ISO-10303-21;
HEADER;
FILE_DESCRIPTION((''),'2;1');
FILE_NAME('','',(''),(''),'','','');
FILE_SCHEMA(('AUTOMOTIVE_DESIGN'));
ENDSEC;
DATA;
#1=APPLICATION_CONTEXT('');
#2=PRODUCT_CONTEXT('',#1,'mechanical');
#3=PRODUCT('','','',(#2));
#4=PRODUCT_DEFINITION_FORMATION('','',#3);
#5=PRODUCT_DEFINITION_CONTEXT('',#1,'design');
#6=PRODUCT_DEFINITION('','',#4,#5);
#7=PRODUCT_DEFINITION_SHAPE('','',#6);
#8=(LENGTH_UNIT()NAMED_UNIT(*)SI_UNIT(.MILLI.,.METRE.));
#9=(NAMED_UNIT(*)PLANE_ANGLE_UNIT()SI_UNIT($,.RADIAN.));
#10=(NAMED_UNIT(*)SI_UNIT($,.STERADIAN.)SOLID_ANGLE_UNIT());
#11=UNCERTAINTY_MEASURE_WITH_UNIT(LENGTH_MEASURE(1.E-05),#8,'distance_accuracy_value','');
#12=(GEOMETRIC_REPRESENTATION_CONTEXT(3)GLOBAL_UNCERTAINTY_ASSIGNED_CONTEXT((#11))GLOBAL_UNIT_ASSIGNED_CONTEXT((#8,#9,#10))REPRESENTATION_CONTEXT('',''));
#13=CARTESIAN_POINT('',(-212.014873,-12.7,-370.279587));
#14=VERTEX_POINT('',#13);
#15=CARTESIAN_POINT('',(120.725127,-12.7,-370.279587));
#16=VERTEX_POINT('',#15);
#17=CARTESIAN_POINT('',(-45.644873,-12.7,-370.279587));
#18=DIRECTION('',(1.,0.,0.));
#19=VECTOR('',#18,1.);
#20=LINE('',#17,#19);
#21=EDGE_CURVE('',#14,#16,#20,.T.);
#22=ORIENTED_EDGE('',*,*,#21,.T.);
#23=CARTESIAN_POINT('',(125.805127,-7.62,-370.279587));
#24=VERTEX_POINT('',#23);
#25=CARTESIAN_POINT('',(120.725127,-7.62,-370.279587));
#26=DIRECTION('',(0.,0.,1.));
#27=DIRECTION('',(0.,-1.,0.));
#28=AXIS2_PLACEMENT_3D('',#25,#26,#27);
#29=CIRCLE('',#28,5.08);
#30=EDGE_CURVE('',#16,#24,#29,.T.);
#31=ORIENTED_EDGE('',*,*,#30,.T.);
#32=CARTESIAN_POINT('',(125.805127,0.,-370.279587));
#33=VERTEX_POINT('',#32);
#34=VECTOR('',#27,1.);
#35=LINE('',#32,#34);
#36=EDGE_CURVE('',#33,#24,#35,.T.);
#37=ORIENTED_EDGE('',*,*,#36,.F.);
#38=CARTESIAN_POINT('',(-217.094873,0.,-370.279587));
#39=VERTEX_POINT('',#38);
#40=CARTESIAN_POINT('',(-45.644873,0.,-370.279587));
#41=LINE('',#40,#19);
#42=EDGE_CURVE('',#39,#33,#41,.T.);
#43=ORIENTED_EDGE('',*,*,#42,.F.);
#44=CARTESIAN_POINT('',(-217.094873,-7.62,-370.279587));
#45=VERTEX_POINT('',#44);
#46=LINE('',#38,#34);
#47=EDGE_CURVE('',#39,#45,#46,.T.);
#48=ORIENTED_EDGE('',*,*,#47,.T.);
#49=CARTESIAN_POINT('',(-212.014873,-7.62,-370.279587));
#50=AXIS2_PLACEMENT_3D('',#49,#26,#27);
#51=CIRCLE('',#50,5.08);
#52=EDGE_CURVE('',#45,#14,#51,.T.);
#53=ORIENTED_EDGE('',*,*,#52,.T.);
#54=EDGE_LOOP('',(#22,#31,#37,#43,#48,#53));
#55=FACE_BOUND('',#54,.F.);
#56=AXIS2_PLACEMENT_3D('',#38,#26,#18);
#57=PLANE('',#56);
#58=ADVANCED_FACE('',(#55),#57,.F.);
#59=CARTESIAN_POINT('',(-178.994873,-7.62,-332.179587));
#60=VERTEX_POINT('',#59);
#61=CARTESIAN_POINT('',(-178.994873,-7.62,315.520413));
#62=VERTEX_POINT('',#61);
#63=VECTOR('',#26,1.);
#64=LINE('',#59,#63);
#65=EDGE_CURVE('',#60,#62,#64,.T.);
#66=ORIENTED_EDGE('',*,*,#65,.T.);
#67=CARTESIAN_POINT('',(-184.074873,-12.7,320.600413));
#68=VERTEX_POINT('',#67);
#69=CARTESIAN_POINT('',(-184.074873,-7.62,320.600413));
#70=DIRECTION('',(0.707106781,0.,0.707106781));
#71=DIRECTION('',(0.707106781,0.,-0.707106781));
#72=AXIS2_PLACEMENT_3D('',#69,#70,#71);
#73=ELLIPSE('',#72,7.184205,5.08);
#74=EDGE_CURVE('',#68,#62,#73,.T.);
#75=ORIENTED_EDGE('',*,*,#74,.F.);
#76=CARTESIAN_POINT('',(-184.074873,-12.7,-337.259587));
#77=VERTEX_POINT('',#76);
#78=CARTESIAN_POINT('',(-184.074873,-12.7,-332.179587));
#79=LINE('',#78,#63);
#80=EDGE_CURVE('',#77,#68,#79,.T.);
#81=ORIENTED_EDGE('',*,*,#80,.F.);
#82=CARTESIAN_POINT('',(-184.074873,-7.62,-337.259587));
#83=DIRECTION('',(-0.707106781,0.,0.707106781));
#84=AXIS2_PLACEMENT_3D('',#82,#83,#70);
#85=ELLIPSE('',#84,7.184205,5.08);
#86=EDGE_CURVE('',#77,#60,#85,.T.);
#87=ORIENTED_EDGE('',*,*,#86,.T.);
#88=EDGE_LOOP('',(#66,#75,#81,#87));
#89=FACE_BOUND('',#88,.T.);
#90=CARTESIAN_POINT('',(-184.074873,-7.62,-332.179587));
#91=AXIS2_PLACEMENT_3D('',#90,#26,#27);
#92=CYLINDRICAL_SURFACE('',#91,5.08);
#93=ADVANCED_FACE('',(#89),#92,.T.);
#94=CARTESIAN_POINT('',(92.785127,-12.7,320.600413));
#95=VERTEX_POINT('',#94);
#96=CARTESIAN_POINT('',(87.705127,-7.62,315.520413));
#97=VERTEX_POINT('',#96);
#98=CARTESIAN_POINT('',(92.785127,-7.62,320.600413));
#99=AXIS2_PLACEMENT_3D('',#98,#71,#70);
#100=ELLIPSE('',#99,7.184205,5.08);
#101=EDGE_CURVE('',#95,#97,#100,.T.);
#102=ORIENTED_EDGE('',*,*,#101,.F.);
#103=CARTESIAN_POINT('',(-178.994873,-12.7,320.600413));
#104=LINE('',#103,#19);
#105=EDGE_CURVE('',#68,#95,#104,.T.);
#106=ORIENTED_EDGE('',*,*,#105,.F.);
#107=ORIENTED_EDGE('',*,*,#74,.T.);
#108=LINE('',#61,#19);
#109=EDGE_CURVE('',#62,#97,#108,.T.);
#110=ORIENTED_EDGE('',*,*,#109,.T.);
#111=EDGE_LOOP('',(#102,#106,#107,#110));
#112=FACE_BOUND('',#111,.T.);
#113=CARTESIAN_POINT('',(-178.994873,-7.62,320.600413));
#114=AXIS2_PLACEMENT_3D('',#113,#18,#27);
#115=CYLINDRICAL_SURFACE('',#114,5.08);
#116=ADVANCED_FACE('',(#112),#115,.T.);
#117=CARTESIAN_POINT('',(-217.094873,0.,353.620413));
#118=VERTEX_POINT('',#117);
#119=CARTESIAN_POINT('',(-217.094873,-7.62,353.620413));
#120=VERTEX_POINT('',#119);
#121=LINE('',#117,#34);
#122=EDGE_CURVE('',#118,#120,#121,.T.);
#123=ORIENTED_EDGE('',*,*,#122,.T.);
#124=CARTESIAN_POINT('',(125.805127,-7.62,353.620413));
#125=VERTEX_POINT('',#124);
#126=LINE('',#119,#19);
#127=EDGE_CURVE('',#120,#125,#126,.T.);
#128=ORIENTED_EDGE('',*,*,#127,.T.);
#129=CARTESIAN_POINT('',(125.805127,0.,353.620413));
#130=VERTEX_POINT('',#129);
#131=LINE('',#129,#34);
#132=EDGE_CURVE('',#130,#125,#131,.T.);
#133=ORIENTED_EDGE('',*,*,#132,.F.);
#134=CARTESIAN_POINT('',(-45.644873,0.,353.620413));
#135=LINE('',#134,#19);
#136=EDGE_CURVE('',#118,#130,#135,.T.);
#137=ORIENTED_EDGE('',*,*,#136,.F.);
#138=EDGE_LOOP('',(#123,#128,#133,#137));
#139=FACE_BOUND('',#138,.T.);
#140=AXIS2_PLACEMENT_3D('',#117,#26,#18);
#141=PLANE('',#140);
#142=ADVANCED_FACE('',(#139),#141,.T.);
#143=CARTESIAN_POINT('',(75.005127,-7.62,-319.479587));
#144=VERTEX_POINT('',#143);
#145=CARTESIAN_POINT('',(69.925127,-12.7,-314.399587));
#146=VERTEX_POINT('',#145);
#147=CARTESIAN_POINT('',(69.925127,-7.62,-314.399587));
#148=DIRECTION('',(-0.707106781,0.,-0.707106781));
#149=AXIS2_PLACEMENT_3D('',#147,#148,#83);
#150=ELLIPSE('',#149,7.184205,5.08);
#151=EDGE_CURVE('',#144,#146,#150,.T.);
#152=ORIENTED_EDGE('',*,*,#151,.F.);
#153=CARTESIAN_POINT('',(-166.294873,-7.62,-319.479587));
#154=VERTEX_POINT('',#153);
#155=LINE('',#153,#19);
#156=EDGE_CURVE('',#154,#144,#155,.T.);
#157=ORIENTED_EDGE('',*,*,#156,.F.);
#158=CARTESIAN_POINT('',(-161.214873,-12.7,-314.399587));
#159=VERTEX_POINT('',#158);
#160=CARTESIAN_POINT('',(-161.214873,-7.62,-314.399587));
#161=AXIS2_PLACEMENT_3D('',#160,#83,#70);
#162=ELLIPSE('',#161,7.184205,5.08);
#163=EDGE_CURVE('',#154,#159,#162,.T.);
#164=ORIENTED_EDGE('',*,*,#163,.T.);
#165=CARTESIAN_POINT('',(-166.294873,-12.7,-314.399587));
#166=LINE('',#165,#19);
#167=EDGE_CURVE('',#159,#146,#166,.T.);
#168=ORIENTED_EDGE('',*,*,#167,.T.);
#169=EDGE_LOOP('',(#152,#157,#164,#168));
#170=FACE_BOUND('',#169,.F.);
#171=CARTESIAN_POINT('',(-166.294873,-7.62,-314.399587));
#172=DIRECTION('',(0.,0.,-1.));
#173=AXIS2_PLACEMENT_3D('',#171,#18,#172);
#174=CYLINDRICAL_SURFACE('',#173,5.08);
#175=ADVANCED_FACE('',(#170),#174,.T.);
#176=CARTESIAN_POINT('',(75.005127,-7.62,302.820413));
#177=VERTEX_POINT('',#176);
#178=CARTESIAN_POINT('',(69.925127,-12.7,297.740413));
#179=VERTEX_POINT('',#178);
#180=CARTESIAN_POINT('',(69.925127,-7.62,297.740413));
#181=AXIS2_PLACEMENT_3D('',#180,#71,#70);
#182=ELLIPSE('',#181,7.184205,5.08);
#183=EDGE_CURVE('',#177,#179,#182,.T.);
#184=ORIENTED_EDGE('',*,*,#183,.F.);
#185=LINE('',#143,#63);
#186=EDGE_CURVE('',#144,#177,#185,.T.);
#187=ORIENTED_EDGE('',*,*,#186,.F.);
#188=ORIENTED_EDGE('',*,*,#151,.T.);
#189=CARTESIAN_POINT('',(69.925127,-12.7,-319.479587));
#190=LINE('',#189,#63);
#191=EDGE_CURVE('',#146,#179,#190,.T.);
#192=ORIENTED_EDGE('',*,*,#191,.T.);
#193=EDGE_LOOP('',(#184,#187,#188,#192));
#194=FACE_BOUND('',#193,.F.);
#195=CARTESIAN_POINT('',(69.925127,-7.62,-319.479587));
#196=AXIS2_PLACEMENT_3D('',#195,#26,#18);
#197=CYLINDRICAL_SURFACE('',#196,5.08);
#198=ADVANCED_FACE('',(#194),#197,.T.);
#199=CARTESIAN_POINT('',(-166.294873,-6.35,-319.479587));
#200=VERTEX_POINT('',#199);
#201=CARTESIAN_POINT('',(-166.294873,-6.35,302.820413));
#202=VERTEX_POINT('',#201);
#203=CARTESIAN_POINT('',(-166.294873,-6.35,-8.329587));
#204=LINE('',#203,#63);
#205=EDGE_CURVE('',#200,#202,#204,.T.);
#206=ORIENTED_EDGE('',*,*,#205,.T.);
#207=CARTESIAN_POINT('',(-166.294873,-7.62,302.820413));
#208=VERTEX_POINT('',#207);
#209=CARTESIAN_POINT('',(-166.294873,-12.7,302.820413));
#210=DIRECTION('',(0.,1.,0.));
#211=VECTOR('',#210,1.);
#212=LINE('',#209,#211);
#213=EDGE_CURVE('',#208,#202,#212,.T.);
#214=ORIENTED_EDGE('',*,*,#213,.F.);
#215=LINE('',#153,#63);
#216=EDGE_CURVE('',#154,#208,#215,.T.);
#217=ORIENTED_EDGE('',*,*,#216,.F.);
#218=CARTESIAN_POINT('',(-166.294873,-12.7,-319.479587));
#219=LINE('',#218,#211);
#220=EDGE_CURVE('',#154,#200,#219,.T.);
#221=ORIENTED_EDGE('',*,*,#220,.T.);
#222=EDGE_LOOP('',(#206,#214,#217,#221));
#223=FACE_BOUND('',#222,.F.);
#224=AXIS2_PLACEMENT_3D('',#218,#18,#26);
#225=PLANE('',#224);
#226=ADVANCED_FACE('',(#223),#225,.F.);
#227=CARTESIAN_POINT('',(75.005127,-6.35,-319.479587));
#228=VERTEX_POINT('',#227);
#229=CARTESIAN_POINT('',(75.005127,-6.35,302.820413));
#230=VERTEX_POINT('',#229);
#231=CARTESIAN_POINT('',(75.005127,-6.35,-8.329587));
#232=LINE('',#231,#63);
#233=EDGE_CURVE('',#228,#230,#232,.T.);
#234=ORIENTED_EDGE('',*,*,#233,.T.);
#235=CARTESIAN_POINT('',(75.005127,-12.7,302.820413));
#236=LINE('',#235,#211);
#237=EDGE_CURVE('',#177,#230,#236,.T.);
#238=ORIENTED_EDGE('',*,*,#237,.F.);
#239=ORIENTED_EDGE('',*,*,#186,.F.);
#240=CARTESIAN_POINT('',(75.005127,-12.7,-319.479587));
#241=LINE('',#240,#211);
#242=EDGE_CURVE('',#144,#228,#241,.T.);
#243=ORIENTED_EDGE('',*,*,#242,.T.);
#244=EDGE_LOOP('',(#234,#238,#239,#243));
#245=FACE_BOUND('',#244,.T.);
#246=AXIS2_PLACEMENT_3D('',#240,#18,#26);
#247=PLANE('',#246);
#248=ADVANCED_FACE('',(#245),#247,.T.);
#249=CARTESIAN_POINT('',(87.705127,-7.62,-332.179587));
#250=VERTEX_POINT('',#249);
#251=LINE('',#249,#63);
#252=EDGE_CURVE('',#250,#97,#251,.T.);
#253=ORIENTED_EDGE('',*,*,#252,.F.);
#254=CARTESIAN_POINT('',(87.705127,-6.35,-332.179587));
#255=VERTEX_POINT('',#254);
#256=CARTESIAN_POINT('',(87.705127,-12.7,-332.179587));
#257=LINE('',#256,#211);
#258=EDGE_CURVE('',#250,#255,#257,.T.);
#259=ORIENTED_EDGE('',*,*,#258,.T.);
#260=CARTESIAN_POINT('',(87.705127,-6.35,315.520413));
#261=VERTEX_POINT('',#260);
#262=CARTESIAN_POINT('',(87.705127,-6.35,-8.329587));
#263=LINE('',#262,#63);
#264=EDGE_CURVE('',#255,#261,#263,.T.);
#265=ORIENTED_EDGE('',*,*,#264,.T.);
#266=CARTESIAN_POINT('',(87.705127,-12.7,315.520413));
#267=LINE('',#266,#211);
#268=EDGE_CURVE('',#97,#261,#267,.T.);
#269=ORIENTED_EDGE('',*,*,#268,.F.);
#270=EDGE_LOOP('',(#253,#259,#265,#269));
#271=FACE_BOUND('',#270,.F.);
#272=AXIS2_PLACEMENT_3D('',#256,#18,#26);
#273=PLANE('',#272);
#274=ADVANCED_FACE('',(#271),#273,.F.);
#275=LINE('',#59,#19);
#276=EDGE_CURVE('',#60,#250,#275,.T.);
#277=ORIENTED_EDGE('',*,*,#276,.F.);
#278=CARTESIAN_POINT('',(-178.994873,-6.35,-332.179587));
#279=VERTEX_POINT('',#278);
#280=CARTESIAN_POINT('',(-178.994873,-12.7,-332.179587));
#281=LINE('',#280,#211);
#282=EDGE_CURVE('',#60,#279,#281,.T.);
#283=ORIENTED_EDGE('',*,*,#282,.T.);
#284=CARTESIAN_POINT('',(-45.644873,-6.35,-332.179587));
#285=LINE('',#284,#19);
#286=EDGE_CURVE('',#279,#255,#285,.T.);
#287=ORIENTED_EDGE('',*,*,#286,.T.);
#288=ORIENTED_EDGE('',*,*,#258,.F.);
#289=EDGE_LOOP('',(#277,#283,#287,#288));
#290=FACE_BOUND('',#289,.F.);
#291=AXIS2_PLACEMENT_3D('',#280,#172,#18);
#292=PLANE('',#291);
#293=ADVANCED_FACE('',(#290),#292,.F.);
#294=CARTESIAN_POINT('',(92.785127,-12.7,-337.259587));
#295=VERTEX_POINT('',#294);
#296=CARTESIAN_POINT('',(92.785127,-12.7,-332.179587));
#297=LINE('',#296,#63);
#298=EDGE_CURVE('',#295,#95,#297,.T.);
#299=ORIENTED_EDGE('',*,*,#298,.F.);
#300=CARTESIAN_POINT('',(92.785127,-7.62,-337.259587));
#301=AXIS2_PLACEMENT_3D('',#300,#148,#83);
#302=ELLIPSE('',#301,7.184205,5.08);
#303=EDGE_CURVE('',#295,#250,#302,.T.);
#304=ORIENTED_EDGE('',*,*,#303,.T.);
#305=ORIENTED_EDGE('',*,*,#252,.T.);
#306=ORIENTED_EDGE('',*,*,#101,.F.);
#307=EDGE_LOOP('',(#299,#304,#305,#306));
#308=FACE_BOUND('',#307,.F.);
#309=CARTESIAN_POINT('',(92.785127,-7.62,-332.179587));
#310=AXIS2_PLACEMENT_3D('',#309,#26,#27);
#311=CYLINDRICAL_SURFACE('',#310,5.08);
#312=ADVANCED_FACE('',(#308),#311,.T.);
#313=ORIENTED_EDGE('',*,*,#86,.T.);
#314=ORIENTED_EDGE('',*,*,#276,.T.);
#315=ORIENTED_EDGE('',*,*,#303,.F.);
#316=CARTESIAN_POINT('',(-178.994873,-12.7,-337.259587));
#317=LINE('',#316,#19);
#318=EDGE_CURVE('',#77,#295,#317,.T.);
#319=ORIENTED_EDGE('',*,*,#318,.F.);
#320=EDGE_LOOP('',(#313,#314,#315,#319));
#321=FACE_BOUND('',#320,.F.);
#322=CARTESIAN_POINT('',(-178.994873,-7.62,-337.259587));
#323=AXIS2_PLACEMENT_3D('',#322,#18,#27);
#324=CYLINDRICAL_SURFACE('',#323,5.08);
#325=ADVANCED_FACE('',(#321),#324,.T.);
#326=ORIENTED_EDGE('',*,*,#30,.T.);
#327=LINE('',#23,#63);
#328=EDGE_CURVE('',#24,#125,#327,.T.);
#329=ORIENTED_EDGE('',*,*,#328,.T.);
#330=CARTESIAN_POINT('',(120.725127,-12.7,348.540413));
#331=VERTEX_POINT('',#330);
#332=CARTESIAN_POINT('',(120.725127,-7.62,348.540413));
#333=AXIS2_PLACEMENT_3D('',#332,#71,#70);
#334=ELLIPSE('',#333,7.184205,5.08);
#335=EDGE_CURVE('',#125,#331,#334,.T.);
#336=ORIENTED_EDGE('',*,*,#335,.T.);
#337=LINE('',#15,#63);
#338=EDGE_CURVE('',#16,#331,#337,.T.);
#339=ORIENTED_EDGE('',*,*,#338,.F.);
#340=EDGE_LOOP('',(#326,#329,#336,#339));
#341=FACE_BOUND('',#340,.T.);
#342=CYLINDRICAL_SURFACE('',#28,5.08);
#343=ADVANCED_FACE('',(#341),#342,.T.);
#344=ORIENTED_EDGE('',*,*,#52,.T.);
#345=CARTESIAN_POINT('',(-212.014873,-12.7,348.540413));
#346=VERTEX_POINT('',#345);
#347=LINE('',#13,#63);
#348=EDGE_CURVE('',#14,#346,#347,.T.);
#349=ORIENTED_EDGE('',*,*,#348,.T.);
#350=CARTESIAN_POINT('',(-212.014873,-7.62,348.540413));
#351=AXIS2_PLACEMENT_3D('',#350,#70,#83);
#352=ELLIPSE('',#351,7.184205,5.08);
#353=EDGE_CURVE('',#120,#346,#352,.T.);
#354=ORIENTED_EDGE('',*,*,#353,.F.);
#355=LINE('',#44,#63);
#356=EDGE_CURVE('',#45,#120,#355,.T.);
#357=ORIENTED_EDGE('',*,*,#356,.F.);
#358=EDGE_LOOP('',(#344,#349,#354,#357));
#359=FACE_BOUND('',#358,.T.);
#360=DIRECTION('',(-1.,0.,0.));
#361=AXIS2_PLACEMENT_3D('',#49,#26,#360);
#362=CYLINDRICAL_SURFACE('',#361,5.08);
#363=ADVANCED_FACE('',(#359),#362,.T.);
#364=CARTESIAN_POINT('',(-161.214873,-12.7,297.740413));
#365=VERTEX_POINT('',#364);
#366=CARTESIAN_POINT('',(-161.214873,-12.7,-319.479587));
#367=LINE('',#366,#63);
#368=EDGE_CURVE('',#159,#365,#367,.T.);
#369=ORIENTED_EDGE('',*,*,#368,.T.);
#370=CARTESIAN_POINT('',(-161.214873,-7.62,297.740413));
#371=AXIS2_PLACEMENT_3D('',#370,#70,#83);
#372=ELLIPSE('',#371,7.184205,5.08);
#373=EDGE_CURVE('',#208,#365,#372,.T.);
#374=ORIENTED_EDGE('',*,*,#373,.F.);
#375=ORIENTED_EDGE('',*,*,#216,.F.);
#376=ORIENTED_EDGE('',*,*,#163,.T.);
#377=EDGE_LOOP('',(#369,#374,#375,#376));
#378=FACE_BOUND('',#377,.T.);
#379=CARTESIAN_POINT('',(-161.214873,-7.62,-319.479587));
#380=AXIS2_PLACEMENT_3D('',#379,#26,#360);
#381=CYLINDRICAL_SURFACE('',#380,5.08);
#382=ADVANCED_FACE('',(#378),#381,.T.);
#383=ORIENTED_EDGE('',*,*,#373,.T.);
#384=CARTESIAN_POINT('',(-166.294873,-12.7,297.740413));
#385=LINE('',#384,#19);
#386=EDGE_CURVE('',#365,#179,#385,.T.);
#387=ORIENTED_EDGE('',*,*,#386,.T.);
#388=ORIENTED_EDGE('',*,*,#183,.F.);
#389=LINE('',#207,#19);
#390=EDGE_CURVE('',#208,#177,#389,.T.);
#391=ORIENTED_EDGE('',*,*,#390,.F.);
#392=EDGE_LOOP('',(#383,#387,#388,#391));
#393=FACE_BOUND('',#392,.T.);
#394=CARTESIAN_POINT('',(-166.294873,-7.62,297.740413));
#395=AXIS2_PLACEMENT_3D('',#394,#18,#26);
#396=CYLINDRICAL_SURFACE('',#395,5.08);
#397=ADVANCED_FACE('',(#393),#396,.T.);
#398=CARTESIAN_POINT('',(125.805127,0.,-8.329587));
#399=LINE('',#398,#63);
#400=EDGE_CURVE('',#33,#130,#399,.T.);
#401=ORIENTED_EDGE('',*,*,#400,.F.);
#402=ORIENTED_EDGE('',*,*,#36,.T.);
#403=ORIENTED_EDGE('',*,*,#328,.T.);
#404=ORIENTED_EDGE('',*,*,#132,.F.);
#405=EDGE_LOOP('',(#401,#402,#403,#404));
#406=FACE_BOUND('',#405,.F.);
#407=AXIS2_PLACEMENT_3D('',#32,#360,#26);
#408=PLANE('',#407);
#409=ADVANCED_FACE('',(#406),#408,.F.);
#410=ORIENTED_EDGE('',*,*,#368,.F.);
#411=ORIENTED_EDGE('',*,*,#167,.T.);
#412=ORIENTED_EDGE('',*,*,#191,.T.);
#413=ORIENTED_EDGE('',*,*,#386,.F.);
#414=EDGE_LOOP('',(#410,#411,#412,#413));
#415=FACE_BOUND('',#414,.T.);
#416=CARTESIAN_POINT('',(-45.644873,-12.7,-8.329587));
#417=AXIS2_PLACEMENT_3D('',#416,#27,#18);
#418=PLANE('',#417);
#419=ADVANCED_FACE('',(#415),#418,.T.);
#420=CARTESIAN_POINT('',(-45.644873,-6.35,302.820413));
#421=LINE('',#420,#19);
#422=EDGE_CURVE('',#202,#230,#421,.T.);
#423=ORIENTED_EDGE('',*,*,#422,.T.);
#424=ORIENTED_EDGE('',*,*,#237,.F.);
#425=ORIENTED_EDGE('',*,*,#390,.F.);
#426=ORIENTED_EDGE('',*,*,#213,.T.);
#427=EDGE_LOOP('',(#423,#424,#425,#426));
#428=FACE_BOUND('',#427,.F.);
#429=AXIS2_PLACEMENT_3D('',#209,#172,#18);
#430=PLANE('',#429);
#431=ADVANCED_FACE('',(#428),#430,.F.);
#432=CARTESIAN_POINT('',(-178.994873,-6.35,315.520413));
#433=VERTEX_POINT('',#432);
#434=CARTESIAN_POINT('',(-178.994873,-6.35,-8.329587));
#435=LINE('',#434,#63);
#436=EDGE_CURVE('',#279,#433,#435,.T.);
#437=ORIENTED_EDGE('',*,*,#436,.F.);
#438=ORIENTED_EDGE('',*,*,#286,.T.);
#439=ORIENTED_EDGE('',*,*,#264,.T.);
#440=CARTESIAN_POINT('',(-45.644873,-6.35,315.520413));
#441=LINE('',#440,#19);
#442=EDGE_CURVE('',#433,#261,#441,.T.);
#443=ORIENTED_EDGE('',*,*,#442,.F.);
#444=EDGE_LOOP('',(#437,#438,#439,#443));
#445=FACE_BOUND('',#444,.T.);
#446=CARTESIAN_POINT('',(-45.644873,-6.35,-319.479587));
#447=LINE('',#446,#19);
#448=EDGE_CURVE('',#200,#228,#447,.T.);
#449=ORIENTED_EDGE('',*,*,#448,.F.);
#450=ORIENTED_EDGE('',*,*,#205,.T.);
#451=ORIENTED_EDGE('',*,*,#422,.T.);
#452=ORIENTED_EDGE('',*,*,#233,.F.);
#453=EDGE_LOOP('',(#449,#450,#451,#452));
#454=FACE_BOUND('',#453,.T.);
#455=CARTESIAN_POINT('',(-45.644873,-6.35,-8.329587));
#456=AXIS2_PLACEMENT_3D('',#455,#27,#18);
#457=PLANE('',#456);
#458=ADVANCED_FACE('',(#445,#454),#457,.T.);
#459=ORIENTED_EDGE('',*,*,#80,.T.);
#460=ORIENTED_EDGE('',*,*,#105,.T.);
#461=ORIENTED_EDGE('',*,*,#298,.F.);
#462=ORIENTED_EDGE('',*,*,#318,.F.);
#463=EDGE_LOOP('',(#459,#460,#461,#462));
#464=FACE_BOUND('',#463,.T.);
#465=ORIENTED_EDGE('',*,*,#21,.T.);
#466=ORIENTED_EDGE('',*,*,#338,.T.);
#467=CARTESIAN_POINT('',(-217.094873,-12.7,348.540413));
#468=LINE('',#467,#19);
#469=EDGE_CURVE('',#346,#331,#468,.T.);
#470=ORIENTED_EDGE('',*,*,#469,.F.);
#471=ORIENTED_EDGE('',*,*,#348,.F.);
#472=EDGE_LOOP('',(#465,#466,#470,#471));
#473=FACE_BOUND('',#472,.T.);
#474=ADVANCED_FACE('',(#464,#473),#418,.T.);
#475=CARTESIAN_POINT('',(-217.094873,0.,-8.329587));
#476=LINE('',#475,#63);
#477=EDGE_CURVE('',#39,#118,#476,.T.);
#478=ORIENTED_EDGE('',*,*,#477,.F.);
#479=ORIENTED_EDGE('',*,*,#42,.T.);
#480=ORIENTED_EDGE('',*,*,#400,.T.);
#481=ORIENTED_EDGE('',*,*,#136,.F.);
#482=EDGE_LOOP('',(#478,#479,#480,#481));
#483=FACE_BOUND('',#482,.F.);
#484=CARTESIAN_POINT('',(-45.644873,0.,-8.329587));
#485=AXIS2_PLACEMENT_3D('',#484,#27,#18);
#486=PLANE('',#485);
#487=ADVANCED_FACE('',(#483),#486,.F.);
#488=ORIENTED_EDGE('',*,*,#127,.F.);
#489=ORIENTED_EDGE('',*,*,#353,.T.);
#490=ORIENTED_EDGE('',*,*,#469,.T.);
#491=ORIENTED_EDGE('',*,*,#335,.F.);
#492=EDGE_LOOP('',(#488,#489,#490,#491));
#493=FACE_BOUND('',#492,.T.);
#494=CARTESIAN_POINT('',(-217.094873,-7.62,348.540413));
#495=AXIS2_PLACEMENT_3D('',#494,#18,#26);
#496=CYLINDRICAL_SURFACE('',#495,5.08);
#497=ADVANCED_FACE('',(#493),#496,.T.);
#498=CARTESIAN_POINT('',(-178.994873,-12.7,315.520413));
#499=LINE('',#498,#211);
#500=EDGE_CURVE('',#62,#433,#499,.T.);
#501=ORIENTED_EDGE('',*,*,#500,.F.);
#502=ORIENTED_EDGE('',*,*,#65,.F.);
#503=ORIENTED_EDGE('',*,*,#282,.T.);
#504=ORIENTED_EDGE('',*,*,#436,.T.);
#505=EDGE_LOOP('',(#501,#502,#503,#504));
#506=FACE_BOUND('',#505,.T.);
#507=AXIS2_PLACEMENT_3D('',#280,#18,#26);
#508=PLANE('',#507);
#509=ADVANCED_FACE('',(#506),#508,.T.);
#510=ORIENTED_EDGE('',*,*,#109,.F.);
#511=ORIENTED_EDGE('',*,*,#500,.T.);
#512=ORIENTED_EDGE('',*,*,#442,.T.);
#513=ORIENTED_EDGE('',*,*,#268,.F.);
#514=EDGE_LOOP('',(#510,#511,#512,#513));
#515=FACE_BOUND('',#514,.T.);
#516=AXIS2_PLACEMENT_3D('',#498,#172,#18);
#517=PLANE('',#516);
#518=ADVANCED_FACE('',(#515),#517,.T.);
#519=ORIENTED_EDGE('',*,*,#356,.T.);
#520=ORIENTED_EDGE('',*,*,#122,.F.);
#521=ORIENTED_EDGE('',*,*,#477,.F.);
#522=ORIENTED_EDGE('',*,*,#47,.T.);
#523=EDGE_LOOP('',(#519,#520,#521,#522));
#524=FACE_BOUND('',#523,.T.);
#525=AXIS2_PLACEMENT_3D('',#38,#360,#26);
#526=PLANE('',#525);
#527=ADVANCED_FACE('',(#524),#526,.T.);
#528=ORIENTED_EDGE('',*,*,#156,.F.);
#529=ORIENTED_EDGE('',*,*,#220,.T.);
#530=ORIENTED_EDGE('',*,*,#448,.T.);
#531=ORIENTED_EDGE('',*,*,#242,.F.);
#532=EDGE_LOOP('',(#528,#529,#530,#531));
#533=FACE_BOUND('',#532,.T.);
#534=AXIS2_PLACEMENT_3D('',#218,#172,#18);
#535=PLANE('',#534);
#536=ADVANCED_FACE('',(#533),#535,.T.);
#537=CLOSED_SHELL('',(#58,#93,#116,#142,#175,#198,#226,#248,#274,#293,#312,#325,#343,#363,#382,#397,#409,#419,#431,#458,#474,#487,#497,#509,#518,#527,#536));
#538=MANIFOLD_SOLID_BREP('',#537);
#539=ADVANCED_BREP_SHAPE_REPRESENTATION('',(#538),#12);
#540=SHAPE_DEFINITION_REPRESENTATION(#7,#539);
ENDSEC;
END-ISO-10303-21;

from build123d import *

# Parameters (mm, degrees)
F0_W     = 342.9
F0_H     = 723.9
F1_DEPTH = 12.7
F2_W     = 266.7
F2_H     = 647.7
F2_W_2   = 241.3
F2_H_2   = 622.3
F3_DEPTH = 6.35
F4_R     = 5.08


with BuildPart() as f1:
    # F0 (on Front) → F1 (new body)
    with BuildSketch(Plane.XZ):
        with Locations((-45.644873, -8.329587)):
            Rectangle(F0_W, F0_H)
    extrude(amount=F1_DEPTH)

    # F2 (on face) → F3 (cut)
    with BuildSketch(Plane.XZ.offset(12.7)):
        with Locations((-45.644873, -8.329587)):
            Rectangle(F2_W, F2_H)
        with Locations((-45.644873, -8.329587)):
            Rectangle(F2_W_2, F2_H_2, mode=Mode.SUBTRACT)
    extrude(amount=-F3_DEPTH, mode=Mode.SUBTRACT)

    # F4
    f4_edges = [f1.edges().sort_by_distance(p)[0] for p in [
        (-217.094873, -12.7, -8.329587),
        (-45.644873, -12.7, 353.620413),
        (125.805127, -12.7, -8.329587),
        (87.705127, -12.7, -8.329587),
        (-45.644873, -12.7, 315.520413),
        (-178.994873, -12.7, -8.329587),
        (-166.294873, -12.7, -8.329587),
        (-45.644873, -12.7, 302.820413),
        (75.005127, -12.7, -8.329587),
        (-45.644873, -12.7, -319.479587),
        (-45.644873, -12.7, -332.179587),
    ]]
    fillet(f4_edges, radius=F4_R)


solid = f1.part
